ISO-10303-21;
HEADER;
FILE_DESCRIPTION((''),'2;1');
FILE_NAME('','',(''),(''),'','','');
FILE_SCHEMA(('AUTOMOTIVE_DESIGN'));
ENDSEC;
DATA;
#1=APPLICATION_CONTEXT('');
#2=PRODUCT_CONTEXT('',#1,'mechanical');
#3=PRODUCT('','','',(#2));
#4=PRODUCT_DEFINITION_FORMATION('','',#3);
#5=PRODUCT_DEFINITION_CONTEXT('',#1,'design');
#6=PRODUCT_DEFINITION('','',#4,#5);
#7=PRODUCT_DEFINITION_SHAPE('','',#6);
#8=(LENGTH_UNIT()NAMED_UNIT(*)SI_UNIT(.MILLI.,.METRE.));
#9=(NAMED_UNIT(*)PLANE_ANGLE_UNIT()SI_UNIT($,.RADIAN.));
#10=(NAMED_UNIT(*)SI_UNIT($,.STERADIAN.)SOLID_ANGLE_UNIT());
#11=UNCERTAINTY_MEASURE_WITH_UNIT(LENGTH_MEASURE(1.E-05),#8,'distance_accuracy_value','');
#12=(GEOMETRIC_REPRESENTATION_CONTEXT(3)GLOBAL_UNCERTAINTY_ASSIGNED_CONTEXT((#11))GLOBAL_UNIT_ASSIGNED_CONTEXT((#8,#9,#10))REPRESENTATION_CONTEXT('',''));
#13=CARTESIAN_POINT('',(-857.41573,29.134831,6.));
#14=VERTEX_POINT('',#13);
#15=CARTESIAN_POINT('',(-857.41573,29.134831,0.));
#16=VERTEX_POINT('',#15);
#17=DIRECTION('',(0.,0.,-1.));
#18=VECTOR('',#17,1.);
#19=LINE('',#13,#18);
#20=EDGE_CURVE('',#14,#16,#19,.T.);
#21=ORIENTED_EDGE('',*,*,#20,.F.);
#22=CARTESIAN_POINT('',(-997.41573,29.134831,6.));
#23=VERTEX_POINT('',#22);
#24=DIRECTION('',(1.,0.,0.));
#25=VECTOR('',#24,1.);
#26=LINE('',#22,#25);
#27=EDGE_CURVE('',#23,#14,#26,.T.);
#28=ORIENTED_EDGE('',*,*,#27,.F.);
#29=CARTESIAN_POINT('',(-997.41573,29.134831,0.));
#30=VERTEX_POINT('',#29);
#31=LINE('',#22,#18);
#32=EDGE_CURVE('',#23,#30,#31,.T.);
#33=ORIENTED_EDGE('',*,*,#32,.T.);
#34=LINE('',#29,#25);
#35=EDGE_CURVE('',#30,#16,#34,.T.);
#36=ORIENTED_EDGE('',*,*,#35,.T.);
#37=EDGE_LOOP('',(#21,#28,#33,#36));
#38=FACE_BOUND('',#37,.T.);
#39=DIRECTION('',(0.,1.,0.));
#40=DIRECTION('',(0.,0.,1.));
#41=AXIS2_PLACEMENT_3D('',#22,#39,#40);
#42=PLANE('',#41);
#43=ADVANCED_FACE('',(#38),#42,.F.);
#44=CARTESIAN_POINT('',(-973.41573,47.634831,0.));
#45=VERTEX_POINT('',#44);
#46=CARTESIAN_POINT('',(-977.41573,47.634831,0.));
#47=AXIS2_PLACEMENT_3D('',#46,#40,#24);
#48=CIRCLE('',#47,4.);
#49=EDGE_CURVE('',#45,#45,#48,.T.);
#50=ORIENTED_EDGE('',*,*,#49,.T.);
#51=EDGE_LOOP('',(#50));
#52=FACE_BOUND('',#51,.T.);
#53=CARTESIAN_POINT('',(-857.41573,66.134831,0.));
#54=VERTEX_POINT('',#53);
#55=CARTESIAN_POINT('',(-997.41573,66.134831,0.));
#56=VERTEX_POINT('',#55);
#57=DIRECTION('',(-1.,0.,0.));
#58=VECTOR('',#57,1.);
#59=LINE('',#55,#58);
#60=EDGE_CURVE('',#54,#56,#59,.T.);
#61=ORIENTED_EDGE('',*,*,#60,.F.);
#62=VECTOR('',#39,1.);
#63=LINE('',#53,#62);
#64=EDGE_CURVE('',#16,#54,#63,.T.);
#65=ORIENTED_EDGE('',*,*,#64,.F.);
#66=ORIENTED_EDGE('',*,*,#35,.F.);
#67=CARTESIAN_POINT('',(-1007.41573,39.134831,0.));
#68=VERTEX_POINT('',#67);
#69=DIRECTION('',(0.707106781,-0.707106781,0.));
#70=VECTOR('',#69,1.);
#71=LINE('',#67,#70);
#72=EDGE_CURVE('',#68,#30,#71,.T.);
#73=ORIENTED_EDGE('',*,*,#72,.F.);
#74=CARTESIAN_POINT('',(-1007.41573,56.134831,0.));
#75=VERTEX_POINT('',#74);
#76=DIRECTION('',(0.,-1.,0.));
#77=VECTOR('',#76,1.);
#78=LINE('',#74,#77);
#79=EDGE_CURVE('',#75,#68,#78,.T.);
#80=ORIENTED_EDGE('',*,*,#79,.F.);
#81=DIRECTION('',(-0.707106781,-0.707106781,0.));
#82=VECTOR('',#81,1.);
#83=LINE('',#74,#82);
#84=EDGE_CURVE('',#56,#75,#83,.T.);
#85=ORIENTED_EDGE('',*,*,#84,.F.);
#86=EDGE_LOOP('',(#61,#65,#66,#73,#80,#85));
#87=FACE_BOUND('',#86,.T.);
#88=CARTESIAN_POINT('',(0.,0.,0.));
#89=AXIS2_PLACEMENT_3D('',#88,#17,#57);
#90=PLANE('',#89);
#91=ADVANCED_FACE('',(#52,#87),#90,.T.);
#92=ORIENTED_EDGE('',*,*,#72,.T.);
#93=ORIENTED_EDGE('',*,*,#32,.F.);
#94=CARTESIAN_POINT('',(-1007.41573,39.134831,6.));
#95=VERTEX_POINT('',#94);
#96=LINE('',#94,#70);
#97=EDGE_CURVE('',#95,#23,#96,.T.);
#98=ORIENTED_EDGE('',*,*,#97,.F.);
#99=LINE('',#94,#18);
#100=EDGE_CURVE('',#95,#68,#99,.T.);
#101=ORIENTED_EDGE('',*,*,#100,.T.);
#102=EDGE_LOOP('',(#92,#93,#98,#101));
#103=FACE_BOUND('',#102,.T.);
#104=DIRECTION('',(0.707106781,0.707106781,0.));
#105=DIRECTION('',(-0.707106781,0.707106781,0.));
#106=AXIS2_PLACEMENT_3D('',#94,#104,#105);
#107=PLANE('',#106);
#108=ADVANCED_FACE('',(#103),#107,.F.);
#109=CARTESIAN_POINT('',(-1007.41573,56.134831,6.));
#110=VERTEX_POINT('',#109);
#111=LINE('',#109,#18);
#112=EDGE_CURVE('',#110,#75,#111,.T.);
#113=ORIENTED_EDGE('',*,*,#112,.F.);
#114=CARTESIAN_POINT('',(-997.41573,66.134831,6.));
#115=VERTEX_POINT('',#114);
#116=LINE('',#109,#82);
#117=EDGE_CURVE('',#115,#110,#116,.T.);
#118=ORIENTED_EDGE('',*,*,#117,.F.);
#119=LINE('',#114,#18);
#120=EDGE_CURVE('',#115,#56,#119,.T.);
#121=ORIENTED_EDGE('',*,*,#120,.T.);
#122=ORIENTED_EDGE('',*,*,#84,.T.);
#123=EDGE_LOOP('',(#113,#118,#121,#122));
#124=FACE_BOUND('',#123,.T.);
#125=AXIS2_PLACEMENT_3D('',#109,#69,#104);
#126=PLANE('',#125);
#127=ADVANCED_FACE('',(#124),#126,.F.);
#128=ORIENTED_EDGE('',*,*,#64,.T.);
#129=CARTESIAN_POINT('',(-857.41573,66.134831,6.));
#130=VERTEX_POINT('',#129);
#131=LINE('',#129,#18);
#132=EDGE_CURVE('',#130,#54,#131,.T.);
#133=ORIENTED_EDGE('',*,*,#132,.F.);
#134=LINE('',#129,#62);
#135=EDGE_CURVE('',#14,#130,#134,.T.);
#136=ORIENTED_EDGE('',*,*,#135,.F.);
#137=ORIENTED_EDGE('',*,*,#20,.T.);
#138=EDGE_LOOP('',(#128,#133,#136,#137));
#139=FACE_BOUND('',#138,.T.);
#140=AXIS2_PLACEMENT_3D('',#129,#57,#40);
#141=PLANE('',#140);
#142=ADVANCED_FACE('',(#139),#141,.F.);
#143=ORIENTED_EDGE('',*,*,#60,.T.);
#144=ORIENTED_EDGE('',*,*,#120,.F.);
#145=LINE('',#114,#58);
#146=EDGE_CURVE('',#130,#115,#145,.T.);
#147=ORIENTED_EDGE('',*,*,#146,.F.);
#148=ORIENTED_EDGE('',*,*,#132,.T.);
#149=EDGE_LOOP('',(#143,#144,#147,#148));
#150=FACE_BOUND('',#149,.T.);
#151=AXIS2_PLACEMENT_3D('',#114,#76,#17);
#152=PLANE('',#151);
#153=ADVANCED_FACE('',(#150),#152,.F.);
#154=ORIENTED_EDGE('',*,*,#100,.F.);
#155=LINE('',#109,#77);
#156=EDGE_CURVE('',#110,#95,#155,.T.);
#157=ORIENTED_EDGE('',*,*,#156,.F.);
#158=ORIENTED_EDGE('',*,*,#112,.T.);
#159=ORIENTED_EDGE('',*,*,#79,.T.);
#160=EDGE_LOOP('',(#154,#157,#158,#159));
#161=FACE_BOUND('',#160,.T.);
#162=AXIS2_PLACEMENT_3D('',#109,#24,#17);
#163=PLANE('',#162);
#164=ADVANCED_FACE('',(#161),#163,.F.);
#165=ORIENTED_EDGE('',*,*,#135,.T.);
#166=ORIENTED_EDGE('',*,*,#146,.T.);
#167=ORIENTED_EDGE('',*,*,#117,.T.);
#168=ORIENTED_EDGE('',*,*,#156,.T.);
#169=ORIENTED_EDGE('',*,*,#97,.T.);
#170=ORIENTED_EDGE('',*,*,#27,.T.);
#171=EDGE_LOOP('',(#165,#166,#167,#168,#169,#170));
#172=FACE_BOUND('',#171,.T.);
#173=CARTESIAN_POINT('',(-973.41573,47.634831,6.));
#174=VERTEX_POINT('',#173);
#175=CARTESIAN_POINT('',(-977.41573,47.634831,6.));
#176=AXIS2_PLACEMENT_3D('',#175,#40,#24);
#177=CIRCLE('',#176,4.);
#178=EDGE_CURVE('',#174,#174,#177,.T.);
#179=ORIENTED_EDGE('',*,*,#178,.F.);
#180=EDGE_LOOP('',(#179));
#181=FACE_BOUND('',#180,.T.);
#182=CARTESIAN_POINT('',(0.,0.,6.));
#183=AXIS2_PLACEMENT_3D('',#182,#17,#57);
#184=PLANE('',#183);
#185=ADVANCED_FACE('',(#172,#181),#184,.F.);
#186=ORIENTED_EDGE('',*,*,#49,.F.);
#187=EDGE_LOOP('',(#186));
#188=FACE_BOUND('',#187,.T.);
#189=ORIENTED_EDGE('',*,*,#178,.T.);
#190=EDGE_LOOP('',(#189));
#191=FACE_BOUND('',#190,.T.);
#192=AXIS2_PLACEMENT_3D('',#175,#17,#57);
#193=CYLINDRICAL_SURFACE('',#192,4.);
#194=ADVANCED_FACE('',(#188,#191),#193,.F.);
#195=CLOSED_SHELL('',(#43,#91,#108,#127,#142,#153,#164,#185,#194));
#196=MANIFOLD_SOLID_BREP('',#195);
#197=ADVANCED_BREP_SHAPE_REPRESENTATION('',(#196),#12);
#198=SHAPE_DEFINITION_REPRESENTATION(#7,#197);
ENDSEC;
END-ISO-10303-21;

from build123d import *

# Parameters (mm, degrees)
SKETCH1_R           = 4
BOSS_EXTRUDE1_DEPTH = 6


with BuildPart() as part:
    # Sketch1 → Boss-Extrude1 (new body)
    with BuildSketch(Plane.XY):
        Polygon((-997.415730337, 66.134831461), (-857.415730337, 66.134831461), (-857.415730337, 29.134831461), (-997.415730337, 29.134831461), (-1007.415730337, 39.134831461), (-1007.415730337, 56.134831461), align=None)
        with Locations((-977.415730337, 47.634831461)):
            Circle(SKETCH1_R, mode=Mode.SUBTRACT)
    extrude(amount=BOSS_EXTRUDE1_DEPTH)


solid = part.part
